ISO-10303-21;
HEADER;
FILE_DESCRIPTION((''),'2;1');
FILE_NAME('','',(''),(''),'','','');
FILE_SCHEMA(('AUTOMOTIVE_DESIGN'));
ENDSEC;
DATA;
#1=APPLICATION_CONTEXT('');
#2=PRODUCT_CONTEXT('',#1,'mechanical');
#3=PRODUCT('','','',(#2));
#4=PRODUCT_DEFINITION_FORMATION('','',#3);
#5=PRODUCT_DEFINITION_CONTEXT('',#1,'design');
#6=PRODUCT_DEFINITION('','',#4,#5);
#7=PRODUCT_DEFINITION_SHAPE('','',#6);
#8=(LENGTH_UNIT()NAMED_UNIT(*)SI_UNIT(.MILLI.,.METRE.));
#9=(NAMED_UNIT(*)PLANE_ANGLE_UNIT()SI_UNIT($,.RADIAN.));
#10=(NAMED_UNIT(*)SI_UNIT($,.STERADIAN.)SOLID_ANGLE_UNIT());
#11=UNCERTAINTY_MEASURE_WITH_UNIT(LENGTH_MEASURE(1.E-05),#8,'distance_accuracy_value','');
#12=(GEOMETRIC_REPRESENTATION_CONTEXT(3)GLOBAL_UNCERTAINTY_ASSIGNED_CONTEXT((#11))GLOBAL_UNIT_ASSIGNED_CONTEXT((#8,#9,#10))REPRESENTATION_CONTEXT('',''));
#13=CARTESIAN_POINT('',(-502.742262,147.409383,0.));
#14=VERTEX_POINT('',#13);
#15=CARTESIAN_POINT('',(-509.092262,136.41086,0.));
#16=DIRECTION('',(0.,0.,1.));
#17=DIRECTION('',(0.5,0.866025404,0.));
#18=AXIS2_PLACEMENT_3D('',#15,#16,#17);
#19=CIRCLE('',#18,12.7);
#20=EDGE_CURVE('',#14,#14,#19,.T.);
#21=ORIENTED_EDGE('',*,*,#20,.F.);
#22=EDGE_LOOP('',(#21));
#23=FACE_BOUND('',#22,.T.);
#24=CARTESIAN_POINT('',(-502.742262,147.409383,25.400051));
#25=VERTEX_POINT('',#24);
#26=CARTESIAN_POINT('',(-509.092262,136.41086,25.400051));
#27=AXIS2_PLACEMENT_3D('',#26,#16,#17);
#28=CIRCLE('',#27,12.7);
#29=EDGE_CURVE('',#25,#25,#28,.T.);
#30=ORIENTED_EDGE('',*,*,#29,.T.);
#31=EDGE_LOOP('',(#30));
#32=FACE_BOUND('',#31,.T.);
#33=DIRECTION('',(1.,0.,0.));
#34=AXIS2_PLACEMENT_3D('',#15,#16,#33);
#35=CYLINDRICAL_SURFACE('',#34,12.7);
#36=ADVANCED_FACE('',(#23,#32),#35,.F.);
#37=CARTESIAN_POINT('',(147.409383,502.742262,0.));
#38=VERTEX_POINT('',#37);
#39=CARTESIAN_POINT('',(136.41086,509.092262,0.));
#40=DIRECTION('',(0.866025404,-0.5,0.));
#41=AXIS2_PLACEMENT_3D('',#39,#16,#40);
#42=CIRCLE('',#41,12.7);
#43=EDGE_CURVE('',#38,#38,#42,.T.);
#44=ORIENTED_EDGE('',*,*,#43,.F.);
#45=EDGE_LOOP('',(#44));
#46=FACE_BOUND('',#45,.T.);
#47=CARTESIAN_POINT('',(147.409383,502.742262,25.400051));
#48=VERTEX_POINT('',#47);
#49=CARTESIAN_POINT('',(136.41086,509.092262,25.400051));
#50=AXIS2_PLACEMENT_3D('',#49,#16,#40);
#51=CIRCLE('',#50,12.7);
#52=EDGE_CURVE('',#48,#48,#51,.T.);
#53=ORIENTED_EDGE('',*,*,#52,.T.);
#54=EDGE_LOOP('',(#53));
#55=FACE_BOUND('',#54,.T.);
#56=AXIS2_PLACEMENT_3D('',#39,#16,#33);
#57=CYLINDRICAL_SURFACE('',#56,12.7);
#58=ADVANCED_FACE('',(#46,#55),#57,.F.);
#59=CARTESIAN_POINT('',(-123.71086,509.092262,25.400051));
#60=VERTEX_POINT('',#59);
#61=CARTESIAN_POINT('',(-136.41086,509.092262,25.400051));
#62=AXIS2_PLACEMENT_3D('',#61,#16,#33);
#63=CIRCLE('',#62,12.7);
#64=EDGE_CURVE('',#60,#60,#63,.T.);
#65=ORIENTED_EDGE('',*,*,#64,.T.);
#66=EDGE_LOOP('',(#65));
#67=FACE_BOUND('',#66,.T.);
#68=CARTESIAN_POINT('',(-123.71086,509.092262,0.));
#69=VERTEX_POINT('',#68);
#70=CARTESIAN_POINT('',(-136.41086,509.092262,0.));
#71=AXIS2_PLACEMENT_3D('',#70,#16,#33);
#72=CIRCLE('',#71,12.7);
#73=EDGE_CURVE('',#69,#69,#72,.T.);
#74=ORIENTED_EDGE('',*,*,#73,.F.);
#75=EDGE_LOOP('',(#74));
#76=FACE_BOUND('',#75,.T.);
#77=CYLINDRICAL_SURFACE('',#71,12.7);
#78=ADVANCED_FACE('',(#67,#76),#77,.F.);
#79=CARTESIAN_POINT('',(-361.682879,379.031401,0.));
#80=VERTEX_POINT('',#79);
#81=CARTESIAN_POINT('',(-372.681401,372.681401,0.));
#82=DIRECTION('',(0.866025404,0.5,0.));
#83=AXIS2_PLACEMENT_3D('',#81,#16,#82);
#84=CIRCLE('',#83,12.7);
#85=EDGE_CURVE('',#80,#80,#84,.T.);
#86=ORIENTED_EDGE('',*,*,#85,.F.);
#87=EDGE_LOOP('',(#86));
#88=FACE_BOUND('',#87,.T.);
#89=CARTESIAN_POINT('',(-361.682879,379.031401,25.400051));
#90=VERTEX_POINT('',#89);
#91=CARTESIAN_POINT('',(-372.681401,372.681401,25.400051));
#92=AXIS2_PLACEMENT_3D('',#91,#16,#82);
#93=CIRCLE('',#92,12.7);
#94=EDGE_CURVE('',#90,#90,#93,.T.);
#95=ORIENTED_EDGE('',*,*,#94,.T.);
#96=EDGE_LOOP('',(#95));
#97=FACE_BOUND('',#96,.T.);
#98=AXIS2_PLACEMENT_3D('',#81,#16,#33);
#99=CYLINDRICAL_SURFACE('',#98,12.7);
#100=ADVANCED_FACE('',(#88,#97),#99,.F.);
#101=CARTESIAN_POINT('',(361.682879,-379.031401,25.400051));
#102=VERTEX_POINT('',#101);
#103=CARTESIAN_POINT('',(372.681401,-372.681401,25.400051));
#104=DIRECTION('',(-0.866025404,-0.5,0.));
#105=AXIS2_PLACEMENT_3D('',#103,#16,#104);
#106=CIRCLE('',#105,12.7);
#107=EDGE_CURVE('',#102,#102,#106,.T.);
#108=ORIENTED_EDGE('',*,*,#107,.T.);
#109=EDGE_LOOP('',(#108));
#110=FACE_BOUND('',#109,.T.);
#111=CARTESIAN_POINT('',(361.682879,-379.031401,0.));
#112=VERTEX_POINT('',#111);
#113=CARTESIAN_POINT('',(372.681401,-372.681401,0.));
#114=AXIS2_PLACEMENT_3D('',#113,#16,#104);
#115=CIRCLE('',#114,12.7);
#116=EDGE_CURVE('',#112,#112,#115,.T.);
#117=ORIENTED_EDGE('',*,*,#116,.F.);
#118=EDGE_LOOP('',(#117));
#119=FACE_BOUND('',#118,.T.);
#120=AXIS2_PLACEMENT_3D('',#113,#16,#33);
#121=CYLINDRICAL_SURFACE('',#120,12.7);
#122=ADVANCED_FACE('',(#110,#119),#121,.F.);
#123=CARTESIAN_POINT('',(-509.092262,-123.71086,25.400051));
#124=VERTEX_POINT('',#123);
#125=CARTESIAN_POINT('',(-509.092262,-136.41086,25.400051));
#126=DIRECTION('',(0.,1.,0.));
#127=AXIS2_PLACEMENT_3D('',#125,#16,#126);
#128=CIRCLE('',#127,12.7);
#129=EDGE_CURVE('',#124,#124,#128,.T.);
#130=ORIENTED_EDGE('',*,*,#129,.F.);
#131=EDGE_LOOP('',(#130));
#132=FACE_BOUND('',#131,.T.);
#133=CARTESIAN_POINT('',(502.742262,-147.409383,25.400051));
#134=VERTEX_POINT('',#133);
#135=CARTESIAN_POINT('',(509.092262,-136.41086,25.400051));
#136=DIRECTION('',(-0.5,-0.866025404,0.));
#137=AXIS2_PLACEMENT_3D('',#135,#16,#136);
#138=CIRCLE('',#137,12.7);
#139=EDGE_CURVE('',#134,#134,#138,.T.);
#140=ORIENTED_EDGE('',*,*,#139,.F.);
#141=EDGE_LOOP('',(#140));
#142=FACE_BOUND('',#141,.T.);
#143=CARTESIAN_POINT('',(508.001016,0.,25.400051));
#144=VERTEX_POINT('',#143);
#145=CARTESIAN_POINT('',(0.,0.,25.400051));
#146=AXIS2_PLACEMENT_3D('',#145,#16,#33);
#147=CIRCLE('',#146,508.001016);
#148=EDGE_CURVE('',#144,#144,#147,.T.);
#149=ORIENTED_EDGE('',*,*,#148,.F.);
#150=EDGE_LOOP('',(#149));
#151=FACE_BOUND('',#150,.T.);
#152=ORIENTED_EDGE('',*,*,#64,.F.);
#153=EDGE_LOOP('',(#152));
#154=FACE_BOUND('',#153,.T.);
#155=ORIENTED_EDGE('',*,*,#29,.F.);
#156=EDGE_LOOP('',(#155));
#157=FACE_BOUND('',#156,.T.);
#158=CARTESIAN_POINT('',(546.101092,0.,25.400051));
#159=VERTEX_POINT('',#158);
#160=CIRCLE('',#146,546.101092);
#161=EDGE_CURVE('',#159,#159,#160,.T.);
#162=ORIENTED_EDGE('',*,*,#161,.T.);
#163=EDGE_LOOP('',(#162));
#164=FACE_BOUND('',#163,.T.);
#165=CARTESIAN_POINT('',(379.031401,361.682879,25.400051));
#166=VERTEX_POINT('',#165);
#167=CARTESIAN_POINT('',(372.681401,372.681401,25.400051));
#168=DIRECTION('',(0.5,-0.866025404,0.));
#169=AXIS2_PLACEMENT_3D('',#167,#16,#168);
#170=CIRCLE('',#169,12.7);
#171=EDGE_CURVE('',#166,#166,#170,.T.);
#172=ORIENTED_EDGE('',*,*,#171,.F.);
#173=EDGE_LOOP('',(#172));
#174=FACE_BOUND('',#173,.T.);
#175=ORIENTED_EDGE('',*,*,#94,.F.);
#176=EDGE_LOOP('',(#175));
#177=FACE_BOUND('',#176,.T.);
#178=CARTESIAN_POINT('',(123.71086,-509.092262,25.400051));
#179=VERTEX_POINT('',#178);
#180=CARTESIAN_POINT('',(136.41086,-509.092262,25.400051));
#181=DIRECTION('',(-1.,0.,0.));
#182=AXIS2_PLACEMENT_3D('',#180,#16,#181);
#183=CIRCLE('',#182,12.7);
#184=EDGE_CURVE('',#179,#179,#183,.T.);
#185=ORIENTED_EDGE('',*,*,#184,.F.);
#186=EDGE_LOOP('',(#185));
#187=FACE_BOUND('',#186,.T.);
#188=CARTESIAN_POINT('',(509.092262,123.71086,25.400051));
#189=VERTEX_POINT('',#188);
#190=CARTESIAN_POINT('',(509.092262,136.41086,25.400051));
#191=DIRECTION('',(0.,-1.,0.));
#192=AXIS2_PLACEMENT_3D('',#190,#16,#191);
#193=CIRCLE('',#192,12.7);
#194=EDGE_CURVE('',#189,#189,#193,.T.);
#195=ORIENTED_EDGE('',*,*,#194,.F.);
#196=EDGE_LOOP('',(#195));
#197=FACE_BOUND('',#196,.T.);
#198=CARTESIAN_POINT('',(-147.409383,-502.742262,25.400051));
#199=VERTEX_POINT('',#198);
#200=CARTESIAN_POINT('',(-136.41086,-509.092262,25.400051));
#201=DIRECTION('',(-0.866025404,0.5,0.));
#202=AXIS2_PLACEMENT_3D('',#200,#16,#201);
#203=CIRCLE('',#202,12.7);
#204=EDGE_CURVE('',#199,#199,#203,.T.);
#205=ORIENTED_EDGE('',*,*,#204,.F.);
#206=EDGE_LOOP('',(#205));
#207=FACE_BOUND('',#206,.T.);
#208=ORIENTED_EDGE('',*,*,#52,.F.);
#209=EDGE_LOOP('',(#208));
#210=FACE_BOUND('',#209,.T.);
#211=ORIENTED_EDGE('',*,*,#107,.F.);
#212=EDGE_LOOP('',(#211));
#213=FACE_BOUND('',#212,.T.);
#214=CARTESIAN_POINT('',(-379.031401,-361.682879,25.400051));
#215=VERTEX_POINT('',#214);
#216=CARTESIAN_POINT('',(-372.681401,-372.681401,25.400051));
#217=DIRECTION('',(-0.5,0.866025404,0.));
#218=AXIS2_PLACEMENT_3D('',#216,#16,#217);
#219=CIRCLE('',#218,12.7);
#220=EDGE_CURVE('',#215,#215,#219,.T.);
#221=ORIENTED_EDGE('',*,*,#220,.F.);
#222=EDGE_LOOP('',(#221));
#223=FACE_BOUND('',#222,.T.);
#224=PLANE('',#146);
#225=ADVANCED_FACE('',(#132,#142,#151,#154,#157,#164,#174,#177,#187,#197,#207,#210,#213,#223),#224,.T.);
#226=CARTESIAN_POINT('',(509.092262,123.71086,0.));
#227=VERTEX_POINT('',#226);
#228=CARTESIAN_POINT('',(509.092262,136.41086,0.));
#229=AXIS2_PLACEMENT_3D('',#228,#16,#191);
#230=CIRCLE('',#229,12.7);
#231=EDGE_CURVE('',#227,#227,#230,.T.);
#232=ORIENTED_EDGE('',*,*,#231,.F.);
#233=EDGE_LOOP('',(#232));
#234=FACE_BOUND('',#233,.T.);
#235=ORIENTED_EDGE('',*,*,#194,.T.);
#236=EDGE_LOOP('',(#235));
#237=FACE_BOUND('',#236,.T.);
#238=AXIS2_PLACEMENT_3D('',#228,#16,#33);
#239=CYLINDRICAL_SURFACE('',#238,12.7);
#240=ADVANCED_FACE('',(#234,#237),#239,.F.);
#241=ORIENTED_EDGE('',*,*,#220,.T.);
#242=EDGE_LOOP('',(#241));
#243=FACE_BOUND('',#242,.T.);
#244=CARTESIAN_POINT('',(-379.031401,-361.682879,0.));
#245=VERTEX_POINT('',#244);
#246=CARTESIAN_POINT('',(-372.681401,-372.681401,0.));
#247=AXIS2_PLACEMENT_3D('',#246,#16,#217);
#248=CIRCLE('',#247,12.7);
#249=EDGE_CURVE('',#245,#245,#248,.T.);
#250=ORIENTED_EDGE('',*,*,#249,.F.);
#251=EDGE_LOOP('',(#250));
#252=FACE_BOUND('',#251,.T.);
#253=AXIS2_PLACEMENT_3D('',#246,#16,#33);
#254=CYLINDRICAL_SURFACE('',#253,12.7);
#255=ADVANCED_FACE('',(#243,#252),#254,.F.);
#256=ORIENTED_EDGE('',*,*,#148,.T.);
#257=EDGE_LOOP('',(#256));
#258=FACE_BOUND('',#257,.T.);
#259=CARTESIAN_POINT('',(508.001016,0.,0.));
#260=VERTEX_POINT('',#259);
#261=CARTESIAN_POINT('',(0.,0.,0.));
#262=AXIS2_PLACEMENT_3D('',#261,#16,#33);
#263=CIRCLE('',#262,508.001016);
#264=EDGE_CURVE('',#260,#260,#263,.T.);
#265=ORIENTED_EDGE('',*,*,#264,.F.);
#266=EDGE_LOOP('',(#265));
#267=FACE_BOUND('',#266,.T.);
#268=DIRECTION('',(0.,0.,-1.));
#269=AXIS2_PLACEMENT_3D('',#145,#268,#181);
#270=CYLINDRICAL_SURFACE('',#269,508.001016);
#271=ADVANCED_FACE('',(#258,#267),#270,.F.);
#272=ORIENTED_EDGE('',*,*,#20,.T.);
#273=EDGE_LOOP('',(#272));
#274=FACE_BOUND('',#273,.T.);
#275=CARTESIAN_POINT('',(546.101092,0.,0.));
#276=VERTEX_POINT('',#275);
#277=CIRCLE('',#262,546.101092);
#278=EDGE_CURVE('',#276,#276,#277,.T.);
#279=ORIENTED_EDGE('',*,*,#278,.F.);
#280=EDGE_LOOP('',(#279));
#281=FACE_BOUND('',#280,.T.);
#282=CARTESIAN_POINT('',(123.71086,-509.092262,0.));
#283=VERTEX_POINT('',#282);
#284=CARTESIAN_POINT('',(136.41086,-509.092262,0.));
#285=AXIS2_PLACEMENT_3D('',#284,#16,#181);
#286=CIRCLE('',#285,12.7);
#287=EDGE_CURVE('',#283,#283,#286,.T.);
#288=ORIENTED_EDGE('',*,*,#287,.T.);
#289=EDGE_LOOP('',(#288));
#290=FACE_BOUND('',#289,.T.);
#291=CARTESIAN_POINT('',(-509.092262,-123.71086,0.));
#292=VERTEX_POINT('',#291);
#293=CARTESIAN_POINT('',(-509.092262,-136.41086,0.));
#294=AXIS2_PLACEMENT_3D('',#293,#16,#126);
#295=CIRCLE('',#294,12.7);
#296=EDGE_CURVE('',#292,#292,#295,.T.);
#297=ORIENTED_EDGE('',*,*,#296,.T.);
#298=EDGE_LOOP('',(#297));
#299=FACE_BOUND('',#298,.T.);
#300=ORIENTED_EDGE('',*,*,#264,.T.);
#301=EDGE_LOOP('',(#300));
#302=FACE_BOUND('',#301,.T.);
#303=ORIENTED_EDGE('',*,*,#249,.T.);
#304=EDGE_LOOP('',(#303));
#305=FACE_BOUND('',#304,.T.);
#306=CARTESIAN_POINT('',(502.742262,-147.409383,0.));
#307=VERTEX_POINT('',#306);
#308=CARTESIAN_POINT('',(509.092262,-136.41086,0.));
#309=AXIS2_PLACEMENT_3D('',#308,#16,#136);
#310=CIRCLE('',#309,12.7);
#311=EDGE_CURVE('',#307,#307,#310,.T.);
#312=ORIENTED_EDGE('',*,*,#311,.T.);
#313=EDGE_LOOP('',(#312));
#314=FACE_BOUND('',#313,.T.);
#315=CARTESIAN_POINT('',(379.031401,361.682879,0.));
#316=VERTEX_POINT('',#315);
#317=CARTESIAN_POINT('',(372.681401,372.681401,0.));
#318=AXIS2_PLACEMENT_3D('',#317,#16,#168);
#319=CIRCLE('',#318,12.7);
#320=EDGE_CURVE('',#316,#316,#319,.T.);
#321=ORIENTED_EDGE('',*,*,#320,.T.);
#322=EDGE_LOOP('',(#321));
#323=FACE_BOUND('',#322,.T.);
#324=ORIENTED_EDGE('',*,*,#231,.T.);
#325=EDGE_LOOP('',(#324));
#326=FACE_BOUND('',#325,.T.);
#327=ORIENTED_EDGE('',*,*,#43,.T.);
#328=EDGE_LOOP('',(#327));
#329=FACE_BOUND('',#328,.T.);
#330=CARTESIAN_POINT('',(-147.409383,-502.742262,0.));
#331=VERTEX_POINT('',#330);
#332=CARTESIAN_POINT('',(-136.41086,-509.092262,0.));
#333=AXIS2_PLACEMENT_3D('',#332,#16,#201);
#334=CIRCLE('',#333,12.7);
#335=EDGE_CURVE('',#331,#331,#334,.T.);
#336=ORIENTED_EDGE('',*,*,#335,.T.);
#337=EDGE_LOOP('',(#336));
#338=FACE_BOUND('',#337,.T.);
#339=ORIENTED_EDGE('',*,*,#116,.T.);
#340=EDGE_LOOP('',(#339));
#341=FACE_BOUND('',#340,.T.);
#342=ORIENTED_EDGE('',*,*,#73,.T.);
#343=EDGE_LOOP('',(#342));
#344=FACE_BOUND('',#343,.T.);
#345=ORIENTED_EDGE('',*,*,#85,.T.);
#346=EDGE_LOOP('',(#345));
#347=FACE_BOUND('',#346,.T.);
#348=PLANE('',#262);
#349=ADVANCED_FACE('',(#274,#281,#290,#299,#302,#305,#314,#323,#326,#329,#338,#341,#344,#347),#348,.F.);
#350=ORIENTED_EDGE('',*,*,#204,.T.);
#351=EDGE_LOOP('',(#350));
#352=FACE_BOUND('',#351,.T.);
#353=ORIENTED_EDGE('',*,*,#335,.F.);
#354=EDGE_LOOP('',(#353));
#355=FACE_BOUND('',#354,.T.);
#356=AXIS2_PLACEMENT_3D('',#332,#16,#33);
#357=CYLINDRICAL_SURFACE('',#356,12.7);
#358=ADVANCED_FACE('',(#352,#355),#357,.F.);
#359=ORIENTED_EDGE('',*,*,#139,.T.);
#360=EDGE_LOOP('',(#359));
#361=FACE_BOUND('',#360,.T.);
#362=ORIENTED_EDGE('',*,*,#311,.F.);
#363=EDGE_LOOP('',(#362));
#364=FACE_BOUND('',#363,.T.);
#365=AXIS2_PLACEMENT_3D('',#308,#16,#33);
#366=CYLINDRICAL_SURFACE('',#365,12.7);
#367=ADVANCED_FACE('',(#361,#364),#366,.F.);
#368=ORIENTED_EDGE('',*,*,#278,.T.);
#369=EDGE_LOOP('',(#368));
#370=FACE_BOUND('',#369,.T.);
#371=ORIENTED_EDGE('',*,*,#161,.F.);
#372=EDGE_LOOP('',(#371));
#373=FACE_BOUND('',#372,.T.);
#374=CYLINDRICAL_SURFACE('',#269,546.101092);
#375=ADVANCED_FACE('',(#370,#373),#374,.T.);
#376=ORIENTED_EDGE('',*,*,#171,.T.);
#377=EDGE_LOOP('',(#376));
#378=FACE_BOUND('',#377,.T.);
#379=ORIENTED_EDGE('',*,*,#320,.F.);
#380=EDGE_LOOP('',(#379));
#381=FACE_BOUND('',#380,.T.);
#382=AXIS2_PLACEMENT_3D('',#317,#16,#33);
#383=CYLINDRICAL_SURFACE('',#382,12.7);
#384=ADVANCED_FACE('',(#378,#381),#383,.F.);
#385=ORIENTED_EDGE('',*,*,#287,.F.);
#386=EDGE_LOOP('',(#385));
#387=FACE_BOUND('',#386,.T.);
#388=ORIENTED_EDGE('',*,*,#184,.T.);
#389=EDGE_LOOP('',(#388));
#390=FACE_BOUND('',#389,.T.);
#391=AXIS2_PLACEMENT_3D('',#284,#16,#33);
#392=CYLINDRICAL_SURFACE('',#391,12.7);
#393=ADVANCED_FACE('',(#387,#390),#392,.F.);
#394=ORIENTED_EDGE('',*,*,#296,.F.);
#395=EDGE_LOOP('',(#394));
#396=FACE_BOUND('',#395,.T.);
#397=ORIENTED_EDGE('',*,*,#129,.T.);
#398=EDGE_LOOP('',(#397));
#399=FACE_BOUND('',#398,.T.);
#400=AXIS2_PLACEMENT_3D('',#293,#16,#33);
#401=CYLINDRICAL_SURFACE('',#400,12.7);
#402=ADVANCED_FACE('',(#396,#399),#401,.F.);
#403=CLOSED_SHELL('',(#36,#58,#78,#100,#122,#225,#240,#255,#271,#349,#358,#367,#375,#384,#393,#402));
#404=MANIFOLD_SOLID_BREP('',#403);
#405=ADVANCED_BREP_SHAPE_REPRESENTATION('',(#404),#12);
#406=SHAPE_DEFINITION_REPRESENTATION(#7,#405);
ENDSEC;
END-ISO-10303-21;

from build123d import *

# Parameters (mm, degrees)
FLANGESKETCH_R      = 546.101092202
FLANGESKETCH_R_2    = 508.001016002
FLANGEFEATURE_DEPTH = 25.4000508
SKETCH2_R           = 12.7
BOLT_HOLE_DEPTH     = 26.4000508
BOLTPATTERN_COUNT   = 12


with BuildPart() as part:
    # FlangeSketch → FlangeFeature (new body)
    with BuildSketch(Plane.XY):
        Circle(FLANGESKETCH_R)
        Circle(FLANGESKETCH_R_2, mode=Mode.SUBTRACT)
    extrude(amount=FLANGEFEATURE_DEPTH)

    # Sketch2 → Bolt Hole (cut, through all)
    with BuildSketch(Plane.XY.offset(25.4000508)):
        with Locations((-136.410860404, 509.092261732)):
            Circle(SKETCH2_R)
    bolt_hole = extrude(amount=-BOLT_HOLE_DEPTH, mode=Mode.SUBTRACT)

    # BoltPattern: Bolt Hole ×12 about axis
    boltpattern_axis = Axis((0, 0, 0), (0, 0, 1))
    for i in range(1, BOLTPATTERN_COUNT):
        add(bolt_hole.rotate(boltpattern_axis, i * 360 / BOLTPATTERN_COUNT), mode=Mode.SUBTRACT)


solid = part.part
